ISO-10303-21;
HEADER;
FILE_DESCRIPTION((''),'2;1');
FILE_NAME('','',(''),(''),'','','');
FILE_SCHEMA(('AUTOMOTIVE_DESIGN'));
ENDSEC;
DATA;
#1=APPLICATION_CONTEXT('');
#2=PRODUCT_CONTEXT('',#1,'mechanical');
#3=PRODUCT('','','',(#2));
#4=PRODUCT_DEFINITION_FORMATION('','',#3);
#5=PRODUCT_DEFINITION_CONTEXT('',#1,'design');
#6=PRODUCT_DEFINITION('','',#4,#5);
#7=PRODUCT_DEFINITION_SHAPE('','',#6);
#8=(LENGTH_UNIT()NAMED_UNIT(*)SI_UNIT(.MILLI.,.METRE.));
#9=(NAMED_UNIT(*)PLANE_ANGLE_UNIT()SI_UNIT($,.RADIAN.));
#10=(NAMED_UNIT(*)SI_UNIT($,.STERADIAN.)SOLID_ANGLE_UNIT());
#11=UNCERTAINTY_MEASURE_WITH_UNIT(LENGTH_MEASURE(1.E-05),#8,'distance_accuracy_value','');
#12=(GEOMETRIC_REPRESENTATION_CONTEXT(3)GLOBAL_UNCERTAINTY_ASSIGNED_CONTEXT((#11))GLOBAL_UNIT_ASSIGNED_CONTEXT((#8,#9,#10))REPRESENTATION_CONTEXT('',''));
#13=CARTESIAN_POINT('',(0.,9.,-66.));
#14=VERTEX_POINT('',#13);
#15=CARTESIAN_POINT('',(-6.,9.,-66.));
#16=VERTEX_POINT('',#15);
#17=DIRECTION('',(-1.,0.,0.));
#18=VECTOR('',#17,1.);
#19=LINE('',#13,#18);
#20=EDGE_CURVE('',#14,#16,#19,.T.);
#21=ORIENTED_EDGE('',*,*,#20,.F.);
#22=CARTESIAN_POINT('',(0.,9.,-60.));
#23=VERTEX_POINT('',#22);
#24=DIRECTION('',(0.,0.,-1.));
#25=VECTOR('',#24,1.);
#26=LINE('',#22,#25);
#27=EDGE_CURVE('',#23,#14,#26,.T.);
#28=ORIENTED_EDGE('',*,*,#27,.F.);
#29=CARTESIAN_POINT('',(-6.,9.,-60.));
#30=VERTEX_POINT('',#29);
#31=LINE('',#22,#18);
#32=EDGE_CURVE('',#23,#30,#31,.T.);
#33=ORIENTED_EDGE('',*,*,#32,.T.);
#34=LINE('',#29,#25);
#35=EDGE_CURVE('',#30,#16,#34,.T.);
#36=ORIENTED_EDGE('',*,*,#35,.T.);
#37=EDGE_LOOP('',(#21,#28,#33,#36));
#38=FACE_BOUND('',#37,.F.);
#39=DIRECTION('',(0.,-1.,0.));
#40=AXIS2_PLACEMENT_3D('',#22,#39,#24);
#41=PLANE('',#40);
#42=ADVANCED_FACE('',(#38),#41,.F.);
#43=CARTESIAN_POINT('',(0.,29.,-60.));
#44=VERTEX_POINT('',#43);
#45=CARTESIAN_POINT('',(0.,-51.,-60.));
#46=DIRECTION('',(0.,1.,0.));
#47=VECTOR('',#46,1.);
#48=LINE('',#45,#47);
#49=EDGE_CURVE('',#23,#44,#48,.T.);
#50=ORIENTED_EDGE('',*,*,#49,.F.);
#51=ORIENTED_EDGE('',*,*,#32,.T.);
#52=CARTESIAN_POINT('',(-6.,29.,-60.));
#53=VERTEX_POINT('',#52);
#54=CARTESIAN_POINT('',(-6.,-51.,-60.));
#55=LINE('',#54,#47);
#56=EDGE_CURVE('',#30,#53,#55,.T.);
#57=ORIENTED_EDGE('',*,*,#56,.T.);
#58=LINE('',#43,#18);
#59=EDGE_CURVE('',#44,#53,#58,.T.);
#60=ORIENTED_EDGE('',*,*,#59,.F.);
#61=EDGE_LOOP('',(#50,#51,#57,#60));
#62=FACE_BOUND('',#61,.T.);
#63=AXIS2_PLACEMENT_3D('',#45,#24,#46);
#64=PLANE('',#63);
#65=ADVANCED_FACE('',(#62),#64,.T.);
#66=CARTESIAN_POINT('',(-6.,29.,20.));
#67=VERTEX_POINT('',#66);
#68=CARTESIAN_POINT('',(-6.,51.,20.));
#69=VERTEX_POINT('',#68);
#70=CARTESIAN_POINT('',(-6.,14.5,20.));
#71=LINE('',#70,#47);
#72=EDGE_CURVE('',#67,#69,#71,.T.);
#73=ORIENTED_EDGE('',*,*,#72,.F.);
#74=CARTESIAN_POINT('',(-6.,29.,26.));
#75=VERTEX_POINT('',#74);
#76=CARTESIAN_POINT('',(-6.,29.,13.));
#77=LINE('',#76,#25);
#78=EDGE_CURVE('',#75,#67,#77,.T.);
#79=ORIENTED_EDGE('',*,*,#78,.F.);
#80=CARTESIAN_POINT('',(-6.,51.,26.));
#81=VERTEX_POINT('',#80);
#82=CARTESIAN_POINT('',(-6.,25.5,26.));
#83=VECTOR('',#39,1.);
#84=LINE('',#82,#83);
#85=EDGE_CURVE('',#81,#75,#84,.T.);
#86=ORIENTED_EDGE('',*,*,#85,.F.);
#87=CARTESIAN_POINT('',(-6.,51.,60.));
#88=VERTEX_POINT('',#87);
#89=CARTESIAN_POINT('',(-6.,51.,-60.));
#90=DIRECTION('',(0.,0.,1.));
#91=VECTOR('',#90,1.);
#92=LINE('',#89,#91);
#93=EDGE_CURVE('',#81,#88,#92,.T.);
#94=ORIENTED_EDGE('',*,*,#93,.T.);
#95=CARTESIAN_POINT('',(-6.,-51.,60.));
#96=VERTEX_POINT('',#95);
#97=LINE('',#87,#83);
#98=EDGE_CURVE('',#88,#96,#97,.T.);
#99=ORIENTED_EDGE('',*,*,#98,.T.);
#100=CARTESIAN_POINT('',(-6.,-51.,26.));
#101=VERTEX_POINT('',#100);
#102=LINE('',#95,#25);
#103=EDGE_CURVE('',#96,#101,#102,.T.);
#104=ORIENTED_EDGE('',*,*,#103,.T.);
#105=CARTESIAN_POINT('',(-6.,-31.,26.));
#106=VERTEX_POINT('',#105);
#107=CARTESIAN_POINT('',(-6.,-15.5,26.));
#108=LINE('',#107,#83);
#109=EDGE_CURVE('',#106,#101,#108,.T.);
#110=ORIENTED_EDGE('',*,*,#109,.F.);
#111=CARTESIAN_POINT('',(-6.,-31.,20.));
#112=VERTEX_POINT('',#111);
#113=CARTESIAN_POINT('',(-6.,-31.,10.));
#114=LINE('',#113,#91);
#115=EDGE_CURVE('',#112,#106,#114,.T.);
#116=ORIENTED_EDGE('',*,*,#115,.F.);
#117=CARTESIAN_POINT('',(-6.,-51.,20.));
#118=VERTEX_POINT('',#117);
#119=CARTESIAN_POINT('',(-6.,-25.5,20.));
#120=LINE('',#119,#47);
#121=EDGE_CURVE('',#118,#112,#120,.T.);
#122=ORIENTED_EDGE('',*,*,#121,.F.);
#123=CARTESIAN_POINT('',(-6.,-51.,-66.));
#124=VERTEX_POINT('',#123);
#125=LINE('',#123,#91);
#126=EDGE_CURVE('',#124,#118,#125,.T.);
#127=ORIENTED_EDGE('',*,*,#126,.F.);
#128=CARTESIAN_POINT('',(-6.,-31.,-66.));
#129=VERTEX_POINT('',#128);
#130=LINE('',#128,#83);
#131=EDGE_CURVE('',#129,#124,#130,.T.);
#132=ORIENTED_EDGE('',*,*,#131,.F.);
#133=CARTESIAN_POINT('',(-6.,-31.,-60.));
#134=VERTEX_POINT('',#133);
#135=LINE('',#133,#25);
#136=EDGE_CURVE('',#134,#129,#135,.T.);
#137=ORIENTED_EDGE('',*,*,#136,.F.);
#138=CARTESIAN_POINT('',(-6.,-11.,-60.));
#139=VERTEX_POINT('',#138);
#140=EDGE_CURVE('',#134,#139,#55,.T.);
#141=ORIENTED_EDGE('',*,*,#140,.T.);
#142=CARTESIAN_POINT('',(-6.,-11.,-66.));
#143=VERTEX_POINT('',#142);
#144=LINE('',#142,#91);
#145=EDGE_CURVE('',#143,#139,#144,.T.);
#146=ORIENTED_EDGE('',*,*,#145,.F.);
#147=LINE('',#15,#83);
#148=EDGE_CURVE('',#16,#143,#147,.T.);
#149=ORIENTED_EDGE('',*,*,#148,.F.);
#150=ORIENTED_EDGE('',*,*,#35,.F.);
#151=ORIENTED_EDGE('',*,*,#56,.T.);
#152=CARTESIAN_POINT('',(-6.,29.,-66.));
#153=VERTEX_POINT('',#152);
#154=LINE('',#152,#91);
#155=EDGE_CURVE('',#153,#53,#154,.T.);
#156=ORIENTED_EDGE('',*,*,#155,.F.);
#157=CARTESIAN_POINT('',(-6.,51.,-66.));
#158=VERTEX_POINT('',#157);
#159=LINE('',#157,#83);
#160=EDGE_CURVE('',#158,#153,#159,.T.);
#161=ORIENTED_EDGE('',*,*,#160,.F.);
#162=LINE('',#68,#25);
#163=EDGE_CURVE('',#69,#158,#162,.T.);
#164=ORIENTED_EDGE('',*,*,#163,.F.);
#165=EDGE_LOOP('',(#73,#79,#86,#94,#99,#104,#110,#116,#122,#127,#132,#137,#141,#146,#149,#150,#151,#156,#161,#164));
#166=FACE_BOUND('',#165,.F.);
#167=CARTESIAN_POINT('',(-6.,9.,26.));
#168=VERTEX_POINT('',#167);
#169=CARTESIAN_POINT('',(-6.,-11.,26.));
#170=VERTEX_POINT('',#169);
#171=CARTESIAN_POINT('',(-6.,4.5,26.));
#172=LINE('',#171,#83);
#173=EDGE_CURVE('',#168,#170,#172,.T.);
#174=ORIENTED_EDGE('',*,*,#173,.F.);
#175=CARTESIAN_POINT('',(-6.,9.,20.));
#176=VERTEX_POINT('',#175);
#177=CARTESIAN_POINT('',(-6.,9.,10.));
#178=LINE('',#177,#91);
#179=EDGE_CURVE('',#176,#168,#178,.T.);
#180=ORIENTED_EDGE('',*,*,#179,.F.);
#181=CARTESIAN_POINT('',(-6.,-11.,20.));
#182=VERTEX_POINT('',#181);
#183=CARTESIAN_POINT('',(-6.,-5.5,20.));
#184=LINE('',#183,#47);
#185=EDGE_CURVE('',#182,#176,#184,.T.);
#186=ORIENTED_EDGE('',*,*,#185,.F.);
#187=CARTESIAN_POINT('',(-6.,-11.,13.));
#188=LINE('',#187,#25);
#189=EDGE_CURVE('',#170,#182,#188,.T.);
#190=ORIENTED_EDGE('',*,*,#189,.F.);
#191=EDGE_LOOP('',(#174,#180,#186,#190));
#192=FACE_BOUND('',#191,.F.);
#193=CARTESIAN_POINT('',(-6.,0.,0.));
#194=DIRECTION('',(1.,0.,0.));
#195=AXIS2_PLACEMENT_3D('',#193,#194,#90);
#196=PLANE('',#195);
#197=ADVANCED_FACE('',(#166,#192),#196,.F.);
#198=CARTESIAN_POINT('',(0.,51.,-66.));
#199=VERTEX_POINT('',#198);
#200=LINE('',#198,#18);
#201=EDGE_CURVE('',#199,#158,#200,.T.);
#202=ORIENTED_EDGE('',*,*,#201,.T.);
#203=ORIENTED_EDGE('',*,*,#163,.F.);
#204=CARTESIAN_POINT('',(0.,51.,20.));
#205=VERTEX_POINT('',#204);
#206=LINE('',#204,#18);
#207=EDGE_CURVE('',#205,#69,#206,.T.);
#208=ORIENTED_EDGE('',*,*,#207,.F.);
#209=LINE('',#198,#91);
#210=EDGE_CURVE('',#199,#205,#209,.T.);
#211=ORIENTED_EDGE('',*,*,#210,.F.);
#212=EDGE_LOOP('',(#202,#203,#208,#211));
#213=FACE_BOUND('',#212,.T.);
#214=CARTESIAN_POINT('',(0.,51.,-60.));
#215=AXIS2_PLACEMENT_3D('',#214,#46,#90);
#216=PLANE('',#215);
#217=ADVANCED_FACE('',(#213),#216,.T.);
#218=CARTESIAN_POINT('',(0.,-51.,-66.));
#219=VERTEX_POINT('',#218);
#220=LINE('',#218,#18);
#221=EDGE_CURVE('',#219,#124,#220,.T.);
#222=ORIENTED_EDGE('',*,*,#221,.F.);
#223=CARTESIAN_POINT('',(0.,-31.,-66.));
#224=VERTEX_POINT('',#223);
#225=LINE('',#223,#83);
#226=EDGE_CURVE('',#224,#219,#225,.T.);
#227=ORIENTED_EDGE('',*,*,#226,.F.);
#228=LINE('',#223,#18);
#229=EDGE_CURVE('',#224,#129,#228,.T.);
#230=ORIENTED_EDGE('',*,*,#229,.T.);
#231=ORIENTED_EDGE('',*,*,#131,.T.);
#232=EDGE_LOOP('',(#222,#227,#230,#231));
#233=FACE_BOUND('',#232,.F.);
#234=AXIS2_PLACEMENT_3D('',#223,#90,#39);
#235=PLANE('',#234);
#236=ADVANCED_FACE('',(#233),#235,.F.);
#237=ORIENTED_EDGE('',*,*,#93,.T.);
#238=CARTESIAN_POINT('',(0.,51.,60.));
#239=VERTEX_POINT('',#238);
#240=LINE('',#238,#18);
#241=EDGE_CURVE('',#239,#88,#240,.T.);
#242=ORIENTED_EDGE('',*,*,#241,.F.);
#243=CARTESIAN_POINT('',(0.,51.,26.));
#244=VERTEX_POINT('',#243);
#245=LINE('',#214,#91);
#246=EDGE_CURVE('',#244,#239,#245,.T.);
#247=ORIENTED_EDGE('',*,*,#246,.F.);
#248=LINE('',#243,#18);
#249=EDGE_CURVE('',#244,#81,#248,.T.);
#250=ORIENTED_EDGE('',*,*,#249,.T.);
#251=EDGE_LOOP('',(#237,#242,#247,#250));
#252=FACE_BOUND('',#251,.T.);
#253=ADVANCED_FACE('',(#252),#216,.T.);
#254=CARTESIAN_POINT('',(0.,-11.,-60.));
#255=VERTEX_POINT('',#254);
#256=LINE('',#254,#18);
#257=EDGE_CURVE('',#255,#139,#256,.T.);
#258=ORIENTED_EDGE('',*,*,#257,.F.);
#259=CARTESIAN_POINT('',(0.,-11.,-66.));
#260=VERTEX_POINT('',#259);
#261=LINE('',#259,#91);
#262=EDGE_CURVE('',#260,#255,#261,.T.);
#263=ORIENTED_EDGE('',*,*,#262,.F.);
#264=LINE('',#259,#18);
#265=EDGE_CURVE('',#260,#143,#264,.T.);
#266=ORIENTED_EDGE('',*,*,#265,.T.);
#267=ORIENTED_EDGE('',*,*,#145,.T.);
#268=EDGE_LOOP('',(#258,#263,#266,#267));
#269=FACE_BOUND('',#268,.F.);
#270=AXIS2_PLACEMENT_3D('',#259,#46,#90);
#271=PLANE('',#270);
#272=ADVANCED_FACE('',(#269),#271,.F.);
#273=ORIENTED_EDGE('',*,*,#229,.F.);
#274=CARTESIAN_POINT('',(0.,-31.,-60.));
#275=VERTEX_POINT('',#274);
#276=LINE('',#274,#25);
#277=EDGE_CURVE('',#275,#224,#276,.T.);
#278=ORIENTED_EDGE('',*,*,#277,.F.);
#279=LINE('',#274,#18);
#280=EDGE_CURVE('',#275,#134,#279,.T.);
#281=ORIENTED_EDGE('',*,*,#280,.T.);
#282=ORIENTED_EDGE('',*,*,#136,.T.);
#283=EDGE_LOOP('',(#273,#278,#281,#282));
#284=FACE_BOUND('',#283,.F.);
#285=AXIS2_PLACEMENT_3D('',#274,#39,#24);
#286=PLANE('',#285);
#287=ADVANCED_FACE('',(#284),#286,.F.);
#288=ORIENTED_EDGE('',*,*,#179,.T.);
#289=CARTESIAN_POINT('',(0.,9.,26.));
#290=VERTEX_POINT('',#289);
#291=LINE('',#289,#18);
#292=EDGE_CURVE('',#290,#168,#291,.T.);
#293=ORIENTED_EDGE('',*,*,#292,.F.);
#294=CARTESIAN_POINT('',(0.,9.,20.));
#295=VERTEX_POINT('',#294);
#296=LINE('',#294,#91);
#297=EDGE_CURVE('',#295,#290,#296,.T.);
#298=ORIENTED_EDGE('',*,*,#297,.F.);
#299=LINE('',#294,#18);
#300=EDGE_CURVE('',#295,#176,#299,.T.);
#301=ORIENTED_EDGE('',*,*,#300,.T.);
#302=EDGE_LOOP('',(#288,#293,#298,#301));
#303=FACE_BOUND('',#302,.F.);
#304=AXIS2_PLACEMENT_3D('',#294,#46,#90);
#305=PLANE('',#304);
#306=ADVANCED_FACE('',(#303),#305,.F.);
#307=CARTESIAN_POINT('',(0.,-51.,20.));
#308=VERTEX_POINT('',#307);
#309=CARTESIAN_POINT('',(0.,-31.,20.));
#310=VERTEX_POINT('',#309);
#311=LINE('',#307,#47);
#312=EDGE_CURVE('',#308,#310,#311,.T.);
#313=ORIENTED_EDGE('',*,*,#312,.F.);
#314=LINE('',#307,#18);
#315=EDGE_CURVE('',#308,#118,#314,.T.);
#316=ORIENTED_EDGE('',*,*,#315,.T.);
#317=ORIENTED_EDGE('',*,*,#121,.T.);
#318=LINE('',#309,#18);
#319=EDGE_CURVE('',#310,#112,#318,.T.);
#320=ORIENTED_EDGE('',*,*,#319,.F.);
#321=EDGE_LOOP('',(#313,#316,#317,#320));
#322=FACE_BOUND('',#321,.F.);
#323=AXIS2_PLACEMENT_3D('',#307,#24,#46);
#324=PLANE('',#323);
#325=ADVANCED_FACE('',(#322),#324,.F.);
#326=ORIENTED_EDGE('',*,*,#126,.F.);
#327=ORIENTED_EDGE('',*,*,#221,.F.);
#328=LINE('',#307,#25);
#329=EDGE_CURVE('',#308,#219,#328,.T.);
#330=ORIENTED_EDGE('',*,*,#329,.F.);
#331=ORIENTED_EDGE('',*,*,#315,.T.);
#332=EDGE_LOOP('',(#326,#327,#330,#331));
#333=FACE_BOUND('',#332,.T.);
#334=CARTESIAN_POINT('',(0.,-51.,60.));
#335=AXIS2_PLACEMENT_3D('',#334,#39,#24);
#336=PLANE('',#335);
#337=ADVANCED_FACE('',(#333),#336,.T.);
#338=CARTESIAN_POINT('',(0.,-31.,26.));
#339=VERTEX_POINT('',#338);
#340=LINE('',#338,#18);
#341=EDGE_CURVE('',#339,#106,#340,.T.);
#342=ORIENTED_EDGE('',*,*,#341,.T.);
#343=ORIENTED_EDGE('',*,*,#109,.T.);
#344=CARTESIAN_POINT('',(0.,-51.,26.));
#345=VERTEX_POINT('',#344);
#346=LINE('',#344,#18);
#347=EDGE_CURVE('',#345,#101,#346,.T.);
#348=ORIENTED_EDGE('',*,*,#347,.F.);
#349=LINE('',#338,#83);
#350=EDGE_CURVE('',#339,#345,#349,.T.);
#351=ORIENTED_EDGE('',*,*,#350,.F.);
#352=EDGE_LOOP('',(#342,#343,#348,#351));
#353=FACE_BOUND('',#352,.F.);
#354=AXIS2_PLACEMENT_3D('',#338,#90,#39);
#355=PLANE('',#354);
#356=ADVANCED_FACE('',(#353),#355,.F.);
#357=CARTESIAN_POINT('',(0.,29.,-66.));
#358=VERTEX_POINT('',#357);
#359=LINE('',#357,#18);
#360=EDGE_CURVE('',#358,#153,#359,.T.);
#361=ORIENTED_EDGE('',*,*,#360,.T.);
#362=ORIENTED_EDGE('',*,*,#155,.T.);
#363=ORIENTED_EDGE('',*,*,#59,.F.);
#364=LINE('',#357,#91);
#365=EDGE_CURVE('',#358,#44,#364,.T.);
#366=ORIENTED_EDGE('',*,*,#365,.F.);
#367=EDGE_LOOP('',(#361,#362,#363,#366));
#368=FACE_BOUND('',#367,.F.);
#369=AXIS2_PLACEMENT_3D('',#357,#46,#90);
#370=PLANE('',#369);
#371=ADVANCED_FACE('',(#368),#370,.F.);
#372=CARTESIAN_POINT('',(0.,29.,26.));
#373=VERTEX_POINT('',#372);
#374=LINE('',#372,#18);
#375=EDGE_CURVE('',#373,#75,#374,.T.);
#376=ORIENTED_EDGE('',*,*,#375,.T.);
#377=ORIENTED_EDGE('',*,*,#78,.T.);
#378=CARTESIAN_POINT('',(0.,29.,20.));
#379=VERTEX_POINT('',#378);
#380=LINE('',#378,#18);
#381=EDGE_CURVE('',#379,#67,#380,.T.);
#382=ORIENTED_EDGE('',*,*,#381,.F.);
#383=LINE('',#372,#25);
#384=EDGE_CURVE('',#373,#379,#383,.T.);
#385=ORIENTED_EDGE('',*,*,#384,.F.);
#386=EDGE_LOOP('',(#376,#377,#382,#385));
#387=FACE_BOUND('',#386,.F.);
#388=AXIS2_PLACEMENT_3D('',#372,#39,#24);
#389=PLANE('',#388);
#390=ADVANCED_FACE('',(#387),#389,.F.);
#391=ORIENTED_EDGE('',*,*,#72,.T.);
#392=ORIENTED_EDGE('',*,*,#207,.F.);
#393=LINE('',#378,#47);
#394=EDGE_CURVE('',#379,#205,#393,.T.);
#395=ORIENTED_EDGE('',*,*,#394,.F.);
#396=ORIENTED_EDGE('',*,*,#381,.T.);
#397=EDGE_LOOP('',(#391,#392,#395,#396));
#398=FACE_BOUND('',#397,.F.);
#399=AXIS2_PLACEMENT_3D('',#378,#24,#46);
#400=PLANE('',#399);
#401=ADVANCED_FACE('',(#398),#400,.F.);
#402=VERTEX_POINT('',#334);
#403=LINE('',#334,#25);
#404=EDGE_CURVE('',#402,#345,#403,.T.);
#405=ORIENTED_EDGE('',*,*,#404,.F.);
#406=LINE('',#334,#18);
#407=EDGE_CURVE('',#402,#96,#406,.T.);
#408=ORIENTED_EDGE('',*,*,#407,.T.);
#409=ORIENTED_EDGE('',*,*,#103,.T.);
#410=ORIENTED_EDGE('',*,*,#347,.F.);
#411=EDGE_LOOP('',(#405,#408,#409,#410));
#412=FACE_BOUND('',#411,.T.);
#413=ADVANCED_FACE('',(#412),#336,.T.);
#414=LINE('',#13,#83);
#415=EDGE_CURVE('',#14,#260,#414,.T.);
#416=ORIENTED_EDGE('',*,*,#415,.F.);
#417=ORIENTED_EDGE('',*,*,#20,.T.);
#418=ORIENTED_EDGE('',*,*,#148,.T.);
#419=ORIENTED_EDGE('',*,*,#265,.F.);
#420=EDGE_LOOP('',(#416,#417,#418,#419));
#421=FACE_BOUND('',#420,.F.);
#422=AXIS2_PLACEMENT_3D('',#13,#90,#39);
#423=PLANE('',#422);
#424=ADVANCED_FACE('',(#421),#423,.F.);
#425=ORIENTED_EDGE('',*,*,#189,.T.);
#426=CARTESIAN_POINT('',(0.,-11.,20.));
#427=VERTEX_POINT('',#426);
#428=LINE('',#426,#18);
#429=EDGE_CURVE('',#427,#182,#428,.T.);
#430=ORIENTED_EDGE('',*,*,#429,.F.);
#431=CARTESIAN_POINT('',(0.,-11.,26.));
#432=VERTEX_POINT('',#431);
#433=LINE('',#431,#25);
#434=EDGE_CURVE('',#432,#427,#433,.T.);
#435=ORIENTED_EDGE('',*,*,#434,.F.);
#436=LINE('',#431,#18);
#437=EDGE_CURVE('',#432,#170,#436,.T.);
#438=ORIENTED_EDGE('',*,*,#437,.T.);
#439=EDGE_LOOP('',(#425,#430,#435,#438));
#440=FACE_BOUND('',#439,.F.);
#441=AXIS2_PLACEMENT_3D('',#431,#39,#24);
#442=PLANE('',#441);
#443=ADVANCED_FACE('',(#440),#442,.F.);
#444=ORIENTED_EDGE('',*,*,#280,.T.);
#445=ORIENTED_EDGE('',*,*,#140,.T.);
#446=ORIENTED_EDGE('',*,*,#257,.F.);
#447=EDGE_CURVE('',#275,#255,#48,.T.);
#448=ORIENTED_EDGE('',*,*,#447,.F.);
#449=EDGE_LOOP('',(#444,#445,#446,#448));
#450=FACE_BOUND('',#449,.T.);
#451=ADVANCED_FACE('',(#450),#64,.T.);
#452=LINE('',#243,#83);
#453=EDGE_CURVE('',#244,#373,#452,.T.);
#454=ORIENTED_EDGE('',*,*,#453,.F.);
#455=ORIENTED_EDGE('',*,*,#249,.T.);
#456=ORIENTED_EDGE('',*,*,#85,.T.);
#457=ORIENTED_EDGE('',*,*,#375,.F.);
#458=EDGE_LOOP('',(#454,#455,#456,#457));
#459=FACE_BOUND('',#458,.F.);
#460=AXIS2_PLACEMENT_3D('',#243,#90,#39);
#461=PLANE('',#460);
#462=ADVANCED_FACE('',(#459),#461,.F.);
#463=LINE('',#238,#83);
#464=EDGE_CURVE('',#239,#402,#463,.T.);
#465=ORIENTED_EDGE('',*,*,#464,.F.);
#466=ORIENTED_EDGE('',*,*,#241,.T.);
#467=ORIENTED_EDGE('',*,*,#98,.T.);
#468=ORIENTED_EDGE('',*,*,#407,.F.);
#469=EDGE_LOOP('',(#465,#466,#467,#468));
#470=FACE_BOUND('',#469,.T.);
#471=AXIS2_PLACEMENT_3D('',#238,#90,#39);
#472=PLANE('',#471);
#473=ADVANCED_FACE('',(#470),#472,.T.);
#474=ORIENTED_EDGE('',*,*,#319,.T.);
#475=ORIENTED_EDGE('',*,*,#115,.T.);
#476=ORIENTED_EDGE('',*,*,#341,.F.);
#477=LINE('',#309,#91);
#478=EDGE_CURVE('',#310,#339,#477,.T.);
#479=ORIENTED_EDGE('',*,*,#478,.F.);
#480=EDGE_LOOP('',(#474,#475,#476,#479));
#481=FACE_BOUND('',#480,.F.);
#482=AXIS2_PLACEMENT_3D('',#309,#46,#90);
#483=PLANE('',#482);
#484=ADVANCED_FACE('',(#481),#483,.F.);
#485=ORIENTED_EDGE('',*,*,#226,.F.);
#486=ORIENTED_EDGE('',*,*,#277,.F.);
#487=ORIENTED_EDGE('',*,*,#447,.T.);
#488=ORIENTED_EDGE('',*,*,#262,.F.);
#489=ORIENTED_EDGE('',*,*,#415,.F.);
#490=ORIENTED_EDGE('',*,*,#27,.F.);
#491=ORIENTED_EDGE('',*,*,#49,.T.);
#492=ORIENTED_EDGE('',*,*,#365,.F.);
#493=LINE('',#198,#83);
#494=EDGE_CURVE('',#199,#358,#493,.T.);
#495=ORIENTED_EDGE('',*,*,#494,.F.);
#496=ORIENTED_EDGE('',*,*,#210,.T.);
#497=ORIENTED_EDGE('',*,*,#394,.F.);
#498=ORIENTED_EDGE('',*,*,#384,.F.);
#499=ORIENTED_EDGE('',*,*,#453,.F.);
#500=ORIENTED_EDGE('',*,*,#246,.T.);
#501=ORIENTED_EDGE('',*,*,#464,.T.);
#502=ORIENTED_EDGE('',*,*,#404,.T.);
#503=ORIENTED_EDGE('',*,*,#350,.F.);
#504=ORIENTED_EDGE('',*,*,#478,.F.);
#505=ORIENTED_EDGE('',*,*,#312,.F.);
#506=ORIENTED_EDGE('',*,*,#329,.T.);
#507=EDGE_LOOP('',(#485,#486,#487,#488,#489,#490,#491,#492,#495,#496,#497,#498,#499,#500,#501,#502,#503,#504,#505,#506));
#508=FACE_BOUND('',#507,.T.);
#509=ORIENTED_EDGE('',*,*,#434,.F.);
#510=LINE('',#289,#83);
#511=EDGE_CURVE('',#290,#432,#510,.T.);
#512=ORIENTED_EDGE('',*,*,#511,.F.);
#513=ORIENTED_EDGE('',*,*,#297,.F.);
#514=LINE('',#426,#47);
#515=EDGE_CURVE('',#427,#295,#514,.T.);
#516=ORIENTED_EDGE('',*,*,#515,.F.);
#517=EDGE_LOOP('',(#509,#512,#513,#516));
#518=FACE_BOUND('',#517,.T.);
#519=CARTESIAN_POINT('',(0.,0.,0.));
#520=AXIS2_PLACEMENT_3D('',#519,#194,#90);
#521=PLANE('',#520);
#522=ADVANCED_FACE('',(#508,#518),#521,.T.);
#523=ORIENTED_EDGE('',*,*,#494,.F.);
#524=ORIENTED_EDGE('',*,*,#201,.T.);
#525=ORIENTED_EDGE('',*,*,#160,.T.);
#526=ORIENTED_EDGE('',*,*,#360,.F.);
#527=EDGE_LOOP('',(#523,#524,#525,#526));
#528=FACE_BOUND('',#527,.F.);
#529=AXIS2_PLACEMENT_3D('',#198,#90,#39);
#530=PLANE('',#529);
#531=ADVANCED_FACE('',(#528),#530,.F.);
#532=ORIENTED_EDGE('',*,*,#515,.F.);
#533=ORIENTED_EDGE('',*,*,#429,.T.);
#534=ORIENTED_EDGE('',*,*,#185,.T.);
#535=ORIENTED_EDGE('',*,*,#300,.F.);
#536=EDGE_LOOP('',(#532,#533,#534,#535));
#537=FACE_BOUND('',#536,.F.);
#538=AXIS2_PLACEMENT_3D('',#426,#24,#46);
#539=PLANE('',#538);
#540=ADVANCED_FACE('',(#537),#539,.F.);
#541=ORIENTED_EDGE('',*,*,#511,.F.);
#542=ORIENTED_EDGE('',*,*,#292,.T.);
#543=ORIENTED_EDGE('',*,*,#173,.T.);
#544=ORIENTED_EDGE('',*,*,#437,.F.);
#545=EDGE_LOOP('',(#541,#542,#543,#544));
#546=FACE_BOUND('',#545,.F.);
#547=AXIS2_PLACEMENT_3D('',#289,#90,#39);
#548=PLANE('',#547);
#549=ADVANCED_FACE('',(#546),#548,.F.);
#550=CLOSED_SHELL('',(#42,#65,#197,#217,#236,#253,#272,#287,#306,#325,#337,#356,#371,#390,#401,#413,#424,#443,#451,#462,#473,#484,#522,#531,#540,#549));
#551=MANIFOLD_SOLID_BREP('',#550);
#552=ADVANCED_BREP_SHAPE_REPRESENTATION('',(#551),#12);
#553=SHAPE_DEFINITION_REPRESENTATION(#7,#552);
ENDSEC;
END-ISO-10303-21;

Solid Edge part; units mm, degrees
sketch "Sketch1" plane through (0, 0, 0) normal (1, 0, 0) x (0, 1, 0)
  line L0 (-51, -60) -> (51, -60)
  line L1 (51, -60) -> (51, 60)
  line L2 (51, 60) -> (-51, 60)
  line L3 (-51, 60) -> (-51, -60)
  dimension "D1" = 102
  dimension "D2" = 120
extrude "Protrusion1" add sketch "Sketch1" against normal blind 6
sketch "Sketch2" plane through (0, 0, 0) normal (1, 0, 0) x (0, 1, 0)
  line L0 (-51, 20) -> (-31, 20)
  line L1 (-31, 20) -> (-31, 26)
  line L2 (-31, 26) -> (-51, 26)
  line L3 (-51, 26) -> (-51, 20)
  line L4 (-11, 20) -> (9, 20)
  line L5 (9, 20) -> (9, 26)
  line L6 (9, 26) -> (-11, 26)
  line L7 (-11, 26) -> (-11, 20)
  line L8 (29, 20) -> (51, 20)
  line L9 (51, 20) -> (51, 26)
  line L10 (51, 26) -> (29, 26)
  line L11 (29, 26) -> (29, 20)
  dimension "D1" = 20
  dimension "D2" = 6
  dimension "D3" = 80
  dimension "D4" = 20
  dimension "D5" = 6
  dimension "D6" = 20
  dimension "D7" = 80
  dimension "D8" = 22
  dimension "D9" = 6
  dimension "D10" = 80
  dimension "D11" = 20
extrude "Cutout1" cut sketch "Sketch2" against normal through all
sketch "Sketch3" plane through (0, 0, 0) normal (1, 0, 0) x (0, 1, 0)
  line L0 (-51, -60) -> (-31, -60)
  line L1 (-31, -60) -> (-31, -66)
  line L2 (-31, -66) -> (-51, -66)
  line L3 (-51, -66) -> (-51, -60)
  line L4 (-11, -60) -> (9, -60)
  line L5 (9, -60) -> (9, -66)
  line L6 (9, -66) -> (-11, -66)
  line L7 (-11, -66) -> (-11, -60)
  line L8 (29, -60) -> (51, -60)
  line L9 (51, -60) -> (51, -66)
  line L10 (51, -66) -> (29, -66)
  line L11 (29, -66) -> (29, -60)
extrude "ExtrudedProtrusion_2" add sketch "Sketch3" against normal blind 6
properties material "Wood, Mahogany"
